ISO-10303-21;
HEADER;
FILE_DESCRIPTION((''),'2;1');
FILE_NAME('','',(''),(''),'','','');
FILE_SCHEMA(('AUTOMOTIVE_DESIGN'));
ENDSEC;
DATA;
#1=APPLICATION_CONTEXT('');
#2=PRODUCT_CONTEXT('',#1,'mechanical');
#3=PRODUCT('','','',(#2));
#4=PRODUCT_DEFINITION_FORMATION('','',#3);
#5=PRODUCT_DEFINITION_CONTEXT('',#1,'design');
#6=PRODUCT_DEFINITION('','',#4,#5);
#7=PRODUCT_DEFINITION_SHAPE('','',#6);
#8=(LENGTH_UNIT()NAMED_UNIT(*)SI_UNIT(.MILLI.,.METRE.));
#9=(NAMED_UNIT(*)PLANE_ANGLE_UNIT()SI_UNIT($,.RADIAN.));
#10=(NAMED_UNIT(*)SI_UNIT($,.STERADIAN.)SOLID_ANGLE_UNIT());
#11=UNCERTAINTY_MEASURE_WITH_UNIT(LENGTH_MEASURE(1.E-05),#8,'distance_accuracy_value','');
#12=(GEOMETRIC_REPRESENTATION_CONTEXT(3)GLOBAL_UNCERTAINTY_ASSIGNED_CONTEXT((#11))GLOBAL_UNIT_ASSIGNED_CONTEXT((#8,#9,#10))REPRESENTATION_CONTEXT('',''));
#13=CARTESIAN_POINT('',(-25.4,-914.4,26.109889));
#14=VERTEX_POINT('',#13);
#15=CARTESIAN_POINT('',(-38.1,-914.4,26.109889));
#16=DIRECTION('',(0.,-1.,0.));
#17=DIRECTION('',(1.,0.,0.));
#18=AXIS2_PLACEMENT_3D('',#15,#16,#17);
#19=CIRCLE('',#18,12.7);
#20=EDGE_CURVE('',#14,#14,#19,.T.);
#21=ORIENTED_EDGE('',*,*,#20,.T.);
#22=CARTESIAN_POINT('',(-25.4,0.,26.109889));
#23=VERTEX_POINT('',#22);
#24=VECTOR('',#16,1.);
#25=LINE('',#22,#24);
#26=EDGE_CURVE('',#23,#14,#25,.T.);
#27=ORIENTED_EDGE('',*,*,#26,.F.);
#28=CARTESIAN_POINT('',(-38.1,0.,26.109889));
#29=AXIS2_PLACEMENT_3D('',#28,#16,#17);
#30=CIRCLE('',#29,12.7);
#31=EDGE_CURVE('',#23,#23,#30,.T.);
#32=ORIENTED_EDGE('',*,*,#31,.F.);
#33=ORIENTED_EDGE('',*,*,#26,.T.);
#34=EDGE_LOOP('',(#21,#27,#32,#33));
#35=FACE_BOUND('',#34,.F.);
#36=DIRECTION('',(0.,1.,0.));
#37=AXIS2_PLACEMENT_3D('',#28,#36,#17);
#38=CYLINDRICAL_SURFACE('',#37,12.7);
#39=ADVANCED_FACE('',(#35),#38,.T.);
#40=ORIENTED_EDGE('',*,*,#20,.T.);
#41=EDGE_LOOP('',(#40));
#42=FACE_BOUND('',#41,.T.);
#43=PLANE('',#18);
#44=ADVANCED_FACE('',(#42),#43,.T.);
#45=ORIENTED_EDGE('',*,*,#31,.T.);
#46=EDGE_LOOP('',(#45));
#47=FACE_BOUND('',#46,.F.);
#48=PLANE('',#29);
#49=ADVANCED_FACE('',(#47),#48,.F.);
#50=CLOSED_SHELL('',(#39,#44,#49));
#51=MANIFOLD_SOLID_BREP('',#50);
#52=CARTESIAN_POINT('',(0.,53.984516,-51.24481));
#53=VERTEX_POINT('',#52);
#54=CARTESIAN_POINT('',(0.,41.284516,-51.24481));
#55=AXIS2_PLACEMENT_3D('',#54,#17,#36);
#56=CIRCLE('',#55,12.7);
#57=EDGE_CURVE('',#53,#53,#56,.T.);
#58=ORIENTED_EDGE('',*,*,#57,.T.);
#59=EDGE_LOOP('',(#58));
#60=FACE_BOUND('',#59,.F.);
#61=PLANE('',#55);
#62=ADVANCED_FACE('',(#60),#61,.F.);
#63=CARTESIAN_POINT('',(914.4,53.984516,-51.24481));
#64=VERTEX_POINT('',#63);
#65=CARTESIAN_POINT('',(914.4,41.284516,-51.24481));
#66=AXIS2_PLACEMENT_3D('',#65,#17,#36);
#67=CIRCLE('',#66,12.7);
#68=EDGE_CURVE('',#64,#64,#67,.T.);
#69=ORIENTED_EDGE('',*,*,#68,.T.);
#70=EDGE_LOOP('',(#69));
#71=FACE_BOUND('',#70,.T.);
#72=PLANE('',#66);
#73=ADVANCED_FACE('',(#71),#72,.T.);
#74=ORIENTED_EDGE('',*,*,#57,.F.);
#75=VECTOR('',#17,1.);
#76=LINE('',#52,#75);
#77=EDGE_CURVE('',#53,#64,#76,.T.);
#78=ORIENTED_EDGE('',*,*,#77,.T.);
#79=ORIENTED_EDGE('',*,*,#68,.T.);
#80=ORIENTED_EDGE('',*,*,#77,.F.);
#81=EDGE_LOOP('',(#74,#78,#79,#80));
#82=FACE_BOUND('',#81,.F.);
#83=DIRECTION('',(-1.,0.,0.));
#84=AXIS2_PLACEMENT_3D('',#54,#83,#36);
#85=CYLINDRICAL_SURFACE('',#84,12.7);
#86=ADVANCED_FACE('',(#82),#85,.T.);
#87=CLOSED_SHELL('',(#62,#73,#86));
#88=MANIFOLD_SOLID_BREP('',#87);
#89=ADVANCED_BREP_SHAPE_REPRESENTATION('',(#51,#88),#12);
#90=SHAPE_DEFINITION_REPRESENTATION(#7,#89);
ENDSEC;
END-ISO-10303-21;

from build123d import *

# Parameters (mm, degrees)
F0_R     = 12.7
F1_DEPTH = 914.4
F2_R     = 12.7
F3_DEPTH = 914.4


with BuildPart() as f1:
    # F0 (on Front) → F1 (new body)
    with BuildSketch(Plane.XZ):
        with Locations((-38.1, 26.109889)):
            Circle(F0_R)
    extrude(amount=F1_DEPTH)


with BuildPart() as f3:
    # F2 (on Right) → F3 (new body)
    with BuildSketch(Plane.YZ):
        with Locations((41.284516, -51.24481)):
            Circle(F2_R)
    extrude(amount=F3_DEPTH)


solid = Compound([f1.part, f3.part])
